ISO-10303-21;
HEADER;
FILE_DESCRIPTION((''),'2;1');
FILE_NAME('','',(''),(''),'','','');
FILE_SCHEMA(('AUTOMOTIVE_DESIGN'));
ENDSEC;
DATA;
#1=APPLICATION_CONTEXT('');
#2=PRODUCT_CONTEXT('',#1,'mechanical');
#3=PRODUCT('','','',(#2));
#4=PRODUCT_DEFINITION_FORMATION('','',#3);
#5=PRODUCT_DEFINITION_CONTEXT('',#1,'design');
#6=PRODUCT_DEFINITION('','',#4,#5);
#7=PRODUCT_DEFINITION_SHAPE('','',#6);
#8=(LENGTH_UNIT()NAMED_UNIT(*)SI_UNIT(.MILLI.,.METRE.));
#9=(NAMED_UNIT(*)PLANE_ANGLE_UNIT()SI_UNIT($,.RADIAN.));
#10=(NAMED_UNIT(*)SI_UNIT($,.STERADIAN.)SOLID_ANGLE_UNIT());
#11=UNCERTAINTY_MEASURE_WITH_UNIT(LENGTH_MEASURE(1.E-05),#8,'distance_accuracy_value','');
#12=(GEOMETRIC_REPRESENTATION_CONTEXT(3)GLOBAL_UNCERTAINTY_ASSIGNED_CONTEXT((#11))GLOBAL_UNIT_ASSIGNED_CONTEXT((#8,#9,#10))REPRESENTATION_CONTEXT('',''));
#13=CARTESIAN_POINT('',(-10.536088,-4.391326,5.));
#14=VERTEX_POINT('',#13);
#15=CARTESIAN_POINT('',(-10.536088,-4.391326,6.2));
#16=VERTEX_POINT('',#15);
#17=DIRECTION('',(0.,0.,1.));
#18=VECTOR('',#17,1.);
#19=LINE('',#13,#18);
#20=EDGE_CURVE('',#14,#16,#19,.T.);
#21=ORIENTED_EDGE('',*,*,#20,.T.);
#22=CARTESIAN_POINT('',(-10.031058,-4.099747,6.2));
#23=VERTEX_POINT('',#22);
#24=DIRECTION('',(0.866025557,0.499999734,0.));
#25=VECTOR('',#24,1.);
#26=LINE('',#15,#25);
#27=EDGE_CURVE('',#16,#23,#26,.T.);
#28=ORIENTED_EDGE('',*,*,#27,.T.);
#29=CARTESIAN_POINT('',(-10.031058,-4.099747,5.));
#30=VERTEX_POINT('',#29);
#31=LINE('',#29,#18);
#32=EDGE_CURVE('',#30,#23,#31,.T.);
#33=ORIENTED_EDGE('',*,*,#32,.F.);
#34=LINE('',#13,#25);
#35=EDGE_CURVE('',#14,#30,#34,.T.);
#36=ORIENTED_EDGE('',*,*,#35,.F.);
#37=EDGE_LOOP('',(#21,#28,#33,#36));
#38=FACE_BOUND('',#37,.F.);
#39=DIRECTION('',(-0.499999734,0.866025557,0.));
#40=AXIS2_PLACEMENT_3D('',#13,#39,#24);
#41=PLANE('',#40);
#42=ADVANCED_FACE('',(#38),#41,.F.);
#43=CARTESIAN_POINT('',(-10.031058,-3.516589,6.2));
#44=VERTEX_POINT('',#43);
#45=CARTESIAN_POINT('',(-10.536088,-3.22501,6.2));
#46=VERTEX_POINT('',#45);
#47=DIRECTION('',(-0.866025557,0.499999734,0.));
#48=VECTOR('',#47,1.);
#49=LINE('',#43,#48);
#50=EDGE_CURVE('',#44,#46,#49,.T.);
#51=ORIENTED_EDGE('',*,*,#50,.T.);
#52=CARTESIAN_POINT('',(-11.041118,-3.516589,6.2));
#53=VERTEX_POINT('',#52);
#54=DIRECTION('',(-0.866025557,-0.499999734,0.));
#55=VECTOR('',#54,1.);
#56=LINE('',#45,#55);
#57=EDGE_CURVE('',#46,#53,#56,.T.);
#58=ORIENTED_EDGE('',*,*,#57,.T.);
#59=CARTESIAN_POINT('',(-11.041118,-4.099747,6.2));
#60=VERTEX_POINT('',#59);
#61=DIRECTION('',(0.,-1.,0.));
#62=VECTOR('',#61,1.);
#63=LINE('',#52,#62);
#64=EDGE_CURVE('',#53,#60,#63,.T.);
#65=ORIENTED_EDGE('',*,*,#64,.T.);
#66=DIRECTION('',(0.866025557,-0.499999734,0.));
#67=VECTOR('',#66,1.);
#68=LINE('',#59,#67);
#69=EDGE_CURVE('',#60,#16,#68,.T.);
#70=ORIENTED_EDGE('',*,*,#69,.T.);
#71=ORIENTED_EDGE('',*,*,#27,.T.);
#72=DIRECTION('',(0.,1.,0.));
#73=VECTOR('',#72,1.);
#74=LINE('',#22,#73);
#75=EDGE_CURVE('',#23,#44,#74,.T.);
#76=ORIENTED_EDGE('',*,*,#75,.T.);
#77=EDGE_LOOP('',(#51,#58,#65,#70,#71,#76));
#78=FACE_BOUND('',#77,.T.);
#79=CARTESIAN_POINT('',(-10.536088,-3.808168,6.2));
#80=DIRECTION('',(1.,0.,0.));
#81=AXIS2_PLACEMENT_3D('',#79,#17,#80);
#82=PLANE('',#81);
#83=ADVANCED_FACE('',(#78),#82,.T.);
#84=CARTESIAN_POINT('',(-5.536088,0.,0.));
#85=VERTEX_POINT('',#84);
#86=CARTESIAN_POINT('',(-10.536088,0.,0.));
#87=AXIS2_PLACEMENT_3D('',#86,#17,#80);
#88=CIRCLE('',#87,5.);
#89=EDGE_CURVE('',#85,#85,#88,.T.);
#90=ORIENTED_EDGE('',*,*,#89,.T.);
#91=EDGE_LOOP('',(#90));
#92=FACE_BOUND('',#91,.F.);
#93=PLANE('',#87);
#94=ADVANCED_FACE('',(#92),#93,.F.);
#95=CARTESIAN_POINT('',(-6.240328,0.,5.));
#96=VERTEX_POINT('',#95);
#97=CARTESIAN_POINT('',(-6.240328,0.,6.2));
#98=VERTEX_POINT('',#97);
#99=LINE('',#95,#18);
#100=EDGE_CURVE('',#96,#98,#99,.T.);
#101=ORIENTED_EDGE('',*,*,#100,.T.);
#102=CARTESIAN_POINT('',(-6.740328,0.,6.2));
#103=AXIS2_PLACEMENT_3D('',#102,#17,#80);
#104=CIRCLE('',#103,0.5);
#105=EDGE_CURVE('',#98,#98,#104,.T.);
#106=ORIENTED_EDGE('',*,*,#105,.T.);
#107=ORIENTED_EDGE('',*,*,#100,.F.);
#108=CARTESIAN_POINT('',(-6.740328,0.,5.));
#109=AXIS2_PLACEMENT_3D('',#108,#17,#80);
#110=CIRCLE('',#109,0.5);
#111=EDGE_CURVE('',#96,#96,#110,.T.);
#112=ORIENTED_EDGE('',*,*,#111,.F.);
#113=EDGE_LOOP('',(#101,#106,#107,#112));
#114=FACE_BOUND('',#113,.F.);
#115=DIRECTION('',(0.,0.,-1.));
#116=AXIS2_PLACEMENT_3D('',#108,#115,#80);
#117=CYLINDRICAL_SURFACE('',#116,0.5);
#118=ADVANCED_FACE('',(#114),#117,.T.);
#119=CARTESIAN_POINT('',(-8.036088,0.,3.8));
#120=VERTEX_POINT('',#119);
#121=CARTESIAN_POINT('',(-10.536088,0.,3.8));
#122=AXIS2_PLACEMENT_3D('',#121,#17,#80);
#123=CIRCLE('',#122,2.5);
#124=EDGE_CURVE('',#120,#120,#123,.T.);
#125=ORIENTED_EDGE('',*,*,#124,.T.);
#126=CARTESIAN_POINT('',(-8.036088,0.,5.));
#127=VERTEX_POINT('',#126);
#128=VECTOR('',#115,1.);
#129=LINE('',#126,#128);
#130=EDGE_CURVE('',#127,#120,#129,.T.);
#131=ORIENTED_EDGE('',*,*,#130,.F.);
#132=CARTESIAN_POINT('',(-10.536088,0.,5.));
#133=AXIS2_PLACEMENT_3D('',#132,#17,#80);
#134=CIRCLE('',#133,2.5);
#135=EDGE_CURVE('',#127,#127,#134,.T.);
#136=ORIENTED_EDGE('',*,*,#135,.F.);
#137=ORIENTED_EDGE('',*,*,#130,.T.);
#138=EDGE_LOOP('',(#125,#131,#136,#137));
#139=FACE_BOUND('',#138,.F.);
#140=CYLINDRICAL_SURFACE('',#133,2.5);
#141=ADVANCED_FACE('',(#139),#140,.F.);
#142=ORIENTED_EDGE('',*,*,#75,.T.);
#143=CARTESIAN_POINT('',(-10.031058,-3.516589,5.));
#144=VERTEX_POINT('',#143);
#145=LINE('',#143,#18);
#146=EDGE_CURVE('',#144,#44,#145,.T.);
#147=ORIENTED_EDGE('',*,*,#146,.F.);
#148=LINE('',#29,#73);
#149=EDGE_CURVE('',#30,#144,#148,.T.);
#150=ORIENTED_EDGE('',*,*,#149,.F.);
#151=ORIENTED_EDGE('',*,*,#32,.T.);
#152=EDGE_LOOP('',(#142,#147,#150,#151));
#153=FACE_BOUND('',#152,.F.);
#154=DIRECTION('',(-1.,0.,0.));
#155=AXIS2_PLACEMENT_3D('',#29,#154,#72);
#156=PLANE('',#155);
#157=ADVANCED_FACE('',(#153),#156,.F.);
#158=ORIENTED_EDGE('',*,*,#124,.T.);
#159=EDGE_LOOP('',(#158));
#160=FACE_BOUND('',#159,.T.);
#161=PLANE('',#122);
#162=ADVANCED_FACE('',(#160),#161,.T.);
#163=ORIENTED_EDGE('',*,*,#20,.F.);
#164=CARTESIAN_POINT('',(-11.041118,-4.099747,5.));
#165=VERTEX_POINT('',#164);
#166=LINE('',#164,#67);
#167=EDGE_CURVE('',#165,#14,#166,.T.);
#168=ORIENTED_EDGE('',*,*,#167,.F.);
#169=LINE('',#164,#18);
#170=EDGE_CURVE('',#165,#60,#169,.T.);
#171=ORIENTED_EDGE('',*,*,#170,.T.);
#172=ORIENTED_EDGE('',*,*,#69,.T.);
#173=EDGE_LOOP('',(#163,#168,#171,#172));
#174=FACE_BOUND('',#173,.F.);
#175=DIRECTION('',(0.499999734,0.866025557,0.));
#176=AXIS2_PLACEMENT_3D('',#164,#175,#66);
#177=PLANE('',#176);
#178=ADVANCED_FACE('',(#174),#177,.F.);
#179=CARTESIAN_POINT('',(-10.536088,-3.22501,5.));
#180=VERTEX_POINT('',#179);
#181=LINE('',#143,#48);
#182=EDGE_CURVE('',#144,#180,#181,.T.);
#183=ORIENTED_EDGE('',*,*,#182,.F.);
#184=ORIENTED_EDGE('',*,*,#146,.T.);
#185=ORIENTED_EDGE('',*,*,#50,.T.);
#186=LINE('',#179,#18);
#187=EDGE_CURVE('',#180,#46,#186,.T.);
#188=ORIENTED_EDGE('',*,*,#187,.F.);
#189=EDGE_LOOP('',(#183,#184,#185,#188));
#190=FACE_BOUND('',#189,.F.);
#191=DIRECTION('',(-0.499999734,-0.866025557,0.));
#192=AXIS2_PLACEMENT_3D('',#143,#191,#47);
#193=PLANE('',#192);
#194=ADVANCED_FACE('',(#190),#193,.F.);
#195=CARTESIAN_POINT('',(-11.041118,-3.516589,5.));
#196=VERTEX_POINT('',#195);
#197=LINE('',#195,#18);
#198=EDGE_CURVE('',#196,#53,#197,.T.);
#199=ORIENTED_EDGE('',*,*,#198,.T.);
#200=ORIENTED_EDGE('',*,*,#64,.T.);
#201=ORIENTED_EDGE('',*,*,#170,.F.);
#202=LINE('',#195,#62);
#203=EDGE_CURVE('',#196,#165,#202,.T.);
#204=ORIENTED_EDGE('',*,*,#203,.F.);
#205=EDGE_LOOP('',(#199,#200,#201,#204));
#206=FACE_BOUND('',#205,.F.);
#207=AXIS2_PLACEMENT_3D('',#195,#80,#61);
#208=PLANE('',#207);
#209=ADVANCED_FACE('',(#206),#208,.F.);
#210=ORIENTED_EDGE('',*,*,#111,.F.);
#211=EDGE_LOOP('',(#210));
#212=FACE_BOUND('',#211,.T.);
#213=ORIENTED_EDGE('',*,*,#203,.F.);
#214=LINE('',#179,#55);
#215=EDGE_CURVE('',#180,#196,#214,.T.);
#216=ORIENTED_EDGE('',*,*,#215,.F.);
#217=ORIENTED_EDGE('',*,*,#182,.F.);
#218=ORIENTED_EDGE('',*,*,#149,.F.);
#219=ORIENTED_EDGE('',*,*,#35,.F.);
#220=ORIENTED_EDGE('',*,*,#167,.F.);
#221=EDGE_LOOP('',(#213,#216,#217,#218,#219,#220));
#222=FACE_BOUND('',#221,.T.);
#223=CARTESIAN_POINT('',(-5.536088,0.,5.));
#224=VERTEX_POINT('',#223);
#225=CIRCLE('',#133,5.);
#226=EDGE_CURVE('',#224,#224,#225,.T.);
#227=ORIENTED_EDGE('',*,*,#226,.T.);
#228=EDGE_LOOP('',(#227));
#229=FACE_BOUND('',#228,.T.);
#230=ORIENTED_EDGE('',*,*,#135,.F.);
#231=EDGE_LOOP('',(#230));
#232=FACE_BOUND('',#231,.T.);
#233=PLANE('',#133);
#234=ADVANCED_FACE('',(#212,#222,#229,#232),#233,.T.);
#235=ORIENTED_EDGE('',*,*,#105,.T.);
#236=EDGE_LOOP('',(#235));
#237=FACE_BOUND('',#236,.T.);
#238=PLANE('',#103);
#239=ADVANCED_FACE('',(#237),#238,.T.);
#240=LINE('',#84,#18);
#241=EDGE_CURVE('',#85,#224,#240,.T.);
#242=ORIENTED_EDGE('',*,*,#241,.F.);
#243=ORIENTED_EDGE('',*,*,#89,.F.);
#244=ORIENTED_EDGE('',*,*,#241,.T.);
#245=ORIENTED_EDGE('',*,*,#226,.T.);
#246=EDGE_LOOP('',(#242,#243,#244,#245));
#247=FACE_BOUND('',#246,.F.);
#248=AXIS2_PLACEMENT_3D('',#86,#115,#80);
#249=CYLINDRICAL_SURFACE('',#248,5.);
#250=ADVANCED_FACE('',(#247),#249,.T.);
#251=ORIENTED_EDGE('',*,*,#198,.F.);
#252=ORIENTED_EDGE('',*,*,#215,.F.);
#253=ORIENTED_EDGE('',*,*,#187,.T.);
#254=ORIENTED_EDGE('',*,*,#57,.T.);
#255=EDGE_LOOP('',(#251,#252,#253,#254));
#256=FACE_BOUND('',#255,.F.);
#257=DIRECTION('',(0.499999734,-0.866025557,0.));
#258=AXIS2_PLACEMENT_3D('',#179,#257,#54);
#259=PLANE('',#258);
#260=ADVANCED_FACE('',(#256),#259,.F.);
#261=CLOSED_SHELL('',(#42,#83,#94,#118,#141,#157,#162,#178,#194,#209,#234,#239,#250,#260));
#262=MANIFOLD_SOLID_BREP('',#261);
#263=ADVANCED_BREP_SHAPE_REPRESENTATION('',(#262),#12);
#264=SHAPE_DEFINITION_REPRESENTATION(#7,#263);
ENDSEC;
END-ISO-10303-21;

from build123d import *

# Parameters (mm, degrees)
F0_R     = 5
F1_DEPTH = 5
F2_R     = 0.5
F3_DEPTH = 1.2
F2_R_2   = 2.5
F4_DEPTH = 1.2


with BuildPart() as f1:
    # F0 (on Top) → F1 (new body)
    with BuildSketch(Plane.XY):
        with Locations((-10.536088, 0)):
            Circle(F0_R)
    extrude(amount=F1_DEPTH)

    # F2 (on face) → F3 (join)
    with BuildSketch(Plane.XY.offset(5)):
        with Locations((-6.740328, 0)):
            Circle(F2_R)
        Polygon((-10.031058, -4.099747), (-10.031058, -3.516589), (-10.536088, -3.22501), (-11.041118, -3.516589), (-11.041118, -4.099747), (-10.536088, -4.391326), align=None)
    extrude(amount=F3_DEPTH)

    # F2 (on face) → F4 (cut)
    with BuildSketch(Plane.XY.offset(5)):
        with Locations((-10.536088, 0)):
            Circle(F2_R_2)
    extrude(amount=-F4_DEPTH, mode=Mode.SUBTRACT)


solid = f1.part
